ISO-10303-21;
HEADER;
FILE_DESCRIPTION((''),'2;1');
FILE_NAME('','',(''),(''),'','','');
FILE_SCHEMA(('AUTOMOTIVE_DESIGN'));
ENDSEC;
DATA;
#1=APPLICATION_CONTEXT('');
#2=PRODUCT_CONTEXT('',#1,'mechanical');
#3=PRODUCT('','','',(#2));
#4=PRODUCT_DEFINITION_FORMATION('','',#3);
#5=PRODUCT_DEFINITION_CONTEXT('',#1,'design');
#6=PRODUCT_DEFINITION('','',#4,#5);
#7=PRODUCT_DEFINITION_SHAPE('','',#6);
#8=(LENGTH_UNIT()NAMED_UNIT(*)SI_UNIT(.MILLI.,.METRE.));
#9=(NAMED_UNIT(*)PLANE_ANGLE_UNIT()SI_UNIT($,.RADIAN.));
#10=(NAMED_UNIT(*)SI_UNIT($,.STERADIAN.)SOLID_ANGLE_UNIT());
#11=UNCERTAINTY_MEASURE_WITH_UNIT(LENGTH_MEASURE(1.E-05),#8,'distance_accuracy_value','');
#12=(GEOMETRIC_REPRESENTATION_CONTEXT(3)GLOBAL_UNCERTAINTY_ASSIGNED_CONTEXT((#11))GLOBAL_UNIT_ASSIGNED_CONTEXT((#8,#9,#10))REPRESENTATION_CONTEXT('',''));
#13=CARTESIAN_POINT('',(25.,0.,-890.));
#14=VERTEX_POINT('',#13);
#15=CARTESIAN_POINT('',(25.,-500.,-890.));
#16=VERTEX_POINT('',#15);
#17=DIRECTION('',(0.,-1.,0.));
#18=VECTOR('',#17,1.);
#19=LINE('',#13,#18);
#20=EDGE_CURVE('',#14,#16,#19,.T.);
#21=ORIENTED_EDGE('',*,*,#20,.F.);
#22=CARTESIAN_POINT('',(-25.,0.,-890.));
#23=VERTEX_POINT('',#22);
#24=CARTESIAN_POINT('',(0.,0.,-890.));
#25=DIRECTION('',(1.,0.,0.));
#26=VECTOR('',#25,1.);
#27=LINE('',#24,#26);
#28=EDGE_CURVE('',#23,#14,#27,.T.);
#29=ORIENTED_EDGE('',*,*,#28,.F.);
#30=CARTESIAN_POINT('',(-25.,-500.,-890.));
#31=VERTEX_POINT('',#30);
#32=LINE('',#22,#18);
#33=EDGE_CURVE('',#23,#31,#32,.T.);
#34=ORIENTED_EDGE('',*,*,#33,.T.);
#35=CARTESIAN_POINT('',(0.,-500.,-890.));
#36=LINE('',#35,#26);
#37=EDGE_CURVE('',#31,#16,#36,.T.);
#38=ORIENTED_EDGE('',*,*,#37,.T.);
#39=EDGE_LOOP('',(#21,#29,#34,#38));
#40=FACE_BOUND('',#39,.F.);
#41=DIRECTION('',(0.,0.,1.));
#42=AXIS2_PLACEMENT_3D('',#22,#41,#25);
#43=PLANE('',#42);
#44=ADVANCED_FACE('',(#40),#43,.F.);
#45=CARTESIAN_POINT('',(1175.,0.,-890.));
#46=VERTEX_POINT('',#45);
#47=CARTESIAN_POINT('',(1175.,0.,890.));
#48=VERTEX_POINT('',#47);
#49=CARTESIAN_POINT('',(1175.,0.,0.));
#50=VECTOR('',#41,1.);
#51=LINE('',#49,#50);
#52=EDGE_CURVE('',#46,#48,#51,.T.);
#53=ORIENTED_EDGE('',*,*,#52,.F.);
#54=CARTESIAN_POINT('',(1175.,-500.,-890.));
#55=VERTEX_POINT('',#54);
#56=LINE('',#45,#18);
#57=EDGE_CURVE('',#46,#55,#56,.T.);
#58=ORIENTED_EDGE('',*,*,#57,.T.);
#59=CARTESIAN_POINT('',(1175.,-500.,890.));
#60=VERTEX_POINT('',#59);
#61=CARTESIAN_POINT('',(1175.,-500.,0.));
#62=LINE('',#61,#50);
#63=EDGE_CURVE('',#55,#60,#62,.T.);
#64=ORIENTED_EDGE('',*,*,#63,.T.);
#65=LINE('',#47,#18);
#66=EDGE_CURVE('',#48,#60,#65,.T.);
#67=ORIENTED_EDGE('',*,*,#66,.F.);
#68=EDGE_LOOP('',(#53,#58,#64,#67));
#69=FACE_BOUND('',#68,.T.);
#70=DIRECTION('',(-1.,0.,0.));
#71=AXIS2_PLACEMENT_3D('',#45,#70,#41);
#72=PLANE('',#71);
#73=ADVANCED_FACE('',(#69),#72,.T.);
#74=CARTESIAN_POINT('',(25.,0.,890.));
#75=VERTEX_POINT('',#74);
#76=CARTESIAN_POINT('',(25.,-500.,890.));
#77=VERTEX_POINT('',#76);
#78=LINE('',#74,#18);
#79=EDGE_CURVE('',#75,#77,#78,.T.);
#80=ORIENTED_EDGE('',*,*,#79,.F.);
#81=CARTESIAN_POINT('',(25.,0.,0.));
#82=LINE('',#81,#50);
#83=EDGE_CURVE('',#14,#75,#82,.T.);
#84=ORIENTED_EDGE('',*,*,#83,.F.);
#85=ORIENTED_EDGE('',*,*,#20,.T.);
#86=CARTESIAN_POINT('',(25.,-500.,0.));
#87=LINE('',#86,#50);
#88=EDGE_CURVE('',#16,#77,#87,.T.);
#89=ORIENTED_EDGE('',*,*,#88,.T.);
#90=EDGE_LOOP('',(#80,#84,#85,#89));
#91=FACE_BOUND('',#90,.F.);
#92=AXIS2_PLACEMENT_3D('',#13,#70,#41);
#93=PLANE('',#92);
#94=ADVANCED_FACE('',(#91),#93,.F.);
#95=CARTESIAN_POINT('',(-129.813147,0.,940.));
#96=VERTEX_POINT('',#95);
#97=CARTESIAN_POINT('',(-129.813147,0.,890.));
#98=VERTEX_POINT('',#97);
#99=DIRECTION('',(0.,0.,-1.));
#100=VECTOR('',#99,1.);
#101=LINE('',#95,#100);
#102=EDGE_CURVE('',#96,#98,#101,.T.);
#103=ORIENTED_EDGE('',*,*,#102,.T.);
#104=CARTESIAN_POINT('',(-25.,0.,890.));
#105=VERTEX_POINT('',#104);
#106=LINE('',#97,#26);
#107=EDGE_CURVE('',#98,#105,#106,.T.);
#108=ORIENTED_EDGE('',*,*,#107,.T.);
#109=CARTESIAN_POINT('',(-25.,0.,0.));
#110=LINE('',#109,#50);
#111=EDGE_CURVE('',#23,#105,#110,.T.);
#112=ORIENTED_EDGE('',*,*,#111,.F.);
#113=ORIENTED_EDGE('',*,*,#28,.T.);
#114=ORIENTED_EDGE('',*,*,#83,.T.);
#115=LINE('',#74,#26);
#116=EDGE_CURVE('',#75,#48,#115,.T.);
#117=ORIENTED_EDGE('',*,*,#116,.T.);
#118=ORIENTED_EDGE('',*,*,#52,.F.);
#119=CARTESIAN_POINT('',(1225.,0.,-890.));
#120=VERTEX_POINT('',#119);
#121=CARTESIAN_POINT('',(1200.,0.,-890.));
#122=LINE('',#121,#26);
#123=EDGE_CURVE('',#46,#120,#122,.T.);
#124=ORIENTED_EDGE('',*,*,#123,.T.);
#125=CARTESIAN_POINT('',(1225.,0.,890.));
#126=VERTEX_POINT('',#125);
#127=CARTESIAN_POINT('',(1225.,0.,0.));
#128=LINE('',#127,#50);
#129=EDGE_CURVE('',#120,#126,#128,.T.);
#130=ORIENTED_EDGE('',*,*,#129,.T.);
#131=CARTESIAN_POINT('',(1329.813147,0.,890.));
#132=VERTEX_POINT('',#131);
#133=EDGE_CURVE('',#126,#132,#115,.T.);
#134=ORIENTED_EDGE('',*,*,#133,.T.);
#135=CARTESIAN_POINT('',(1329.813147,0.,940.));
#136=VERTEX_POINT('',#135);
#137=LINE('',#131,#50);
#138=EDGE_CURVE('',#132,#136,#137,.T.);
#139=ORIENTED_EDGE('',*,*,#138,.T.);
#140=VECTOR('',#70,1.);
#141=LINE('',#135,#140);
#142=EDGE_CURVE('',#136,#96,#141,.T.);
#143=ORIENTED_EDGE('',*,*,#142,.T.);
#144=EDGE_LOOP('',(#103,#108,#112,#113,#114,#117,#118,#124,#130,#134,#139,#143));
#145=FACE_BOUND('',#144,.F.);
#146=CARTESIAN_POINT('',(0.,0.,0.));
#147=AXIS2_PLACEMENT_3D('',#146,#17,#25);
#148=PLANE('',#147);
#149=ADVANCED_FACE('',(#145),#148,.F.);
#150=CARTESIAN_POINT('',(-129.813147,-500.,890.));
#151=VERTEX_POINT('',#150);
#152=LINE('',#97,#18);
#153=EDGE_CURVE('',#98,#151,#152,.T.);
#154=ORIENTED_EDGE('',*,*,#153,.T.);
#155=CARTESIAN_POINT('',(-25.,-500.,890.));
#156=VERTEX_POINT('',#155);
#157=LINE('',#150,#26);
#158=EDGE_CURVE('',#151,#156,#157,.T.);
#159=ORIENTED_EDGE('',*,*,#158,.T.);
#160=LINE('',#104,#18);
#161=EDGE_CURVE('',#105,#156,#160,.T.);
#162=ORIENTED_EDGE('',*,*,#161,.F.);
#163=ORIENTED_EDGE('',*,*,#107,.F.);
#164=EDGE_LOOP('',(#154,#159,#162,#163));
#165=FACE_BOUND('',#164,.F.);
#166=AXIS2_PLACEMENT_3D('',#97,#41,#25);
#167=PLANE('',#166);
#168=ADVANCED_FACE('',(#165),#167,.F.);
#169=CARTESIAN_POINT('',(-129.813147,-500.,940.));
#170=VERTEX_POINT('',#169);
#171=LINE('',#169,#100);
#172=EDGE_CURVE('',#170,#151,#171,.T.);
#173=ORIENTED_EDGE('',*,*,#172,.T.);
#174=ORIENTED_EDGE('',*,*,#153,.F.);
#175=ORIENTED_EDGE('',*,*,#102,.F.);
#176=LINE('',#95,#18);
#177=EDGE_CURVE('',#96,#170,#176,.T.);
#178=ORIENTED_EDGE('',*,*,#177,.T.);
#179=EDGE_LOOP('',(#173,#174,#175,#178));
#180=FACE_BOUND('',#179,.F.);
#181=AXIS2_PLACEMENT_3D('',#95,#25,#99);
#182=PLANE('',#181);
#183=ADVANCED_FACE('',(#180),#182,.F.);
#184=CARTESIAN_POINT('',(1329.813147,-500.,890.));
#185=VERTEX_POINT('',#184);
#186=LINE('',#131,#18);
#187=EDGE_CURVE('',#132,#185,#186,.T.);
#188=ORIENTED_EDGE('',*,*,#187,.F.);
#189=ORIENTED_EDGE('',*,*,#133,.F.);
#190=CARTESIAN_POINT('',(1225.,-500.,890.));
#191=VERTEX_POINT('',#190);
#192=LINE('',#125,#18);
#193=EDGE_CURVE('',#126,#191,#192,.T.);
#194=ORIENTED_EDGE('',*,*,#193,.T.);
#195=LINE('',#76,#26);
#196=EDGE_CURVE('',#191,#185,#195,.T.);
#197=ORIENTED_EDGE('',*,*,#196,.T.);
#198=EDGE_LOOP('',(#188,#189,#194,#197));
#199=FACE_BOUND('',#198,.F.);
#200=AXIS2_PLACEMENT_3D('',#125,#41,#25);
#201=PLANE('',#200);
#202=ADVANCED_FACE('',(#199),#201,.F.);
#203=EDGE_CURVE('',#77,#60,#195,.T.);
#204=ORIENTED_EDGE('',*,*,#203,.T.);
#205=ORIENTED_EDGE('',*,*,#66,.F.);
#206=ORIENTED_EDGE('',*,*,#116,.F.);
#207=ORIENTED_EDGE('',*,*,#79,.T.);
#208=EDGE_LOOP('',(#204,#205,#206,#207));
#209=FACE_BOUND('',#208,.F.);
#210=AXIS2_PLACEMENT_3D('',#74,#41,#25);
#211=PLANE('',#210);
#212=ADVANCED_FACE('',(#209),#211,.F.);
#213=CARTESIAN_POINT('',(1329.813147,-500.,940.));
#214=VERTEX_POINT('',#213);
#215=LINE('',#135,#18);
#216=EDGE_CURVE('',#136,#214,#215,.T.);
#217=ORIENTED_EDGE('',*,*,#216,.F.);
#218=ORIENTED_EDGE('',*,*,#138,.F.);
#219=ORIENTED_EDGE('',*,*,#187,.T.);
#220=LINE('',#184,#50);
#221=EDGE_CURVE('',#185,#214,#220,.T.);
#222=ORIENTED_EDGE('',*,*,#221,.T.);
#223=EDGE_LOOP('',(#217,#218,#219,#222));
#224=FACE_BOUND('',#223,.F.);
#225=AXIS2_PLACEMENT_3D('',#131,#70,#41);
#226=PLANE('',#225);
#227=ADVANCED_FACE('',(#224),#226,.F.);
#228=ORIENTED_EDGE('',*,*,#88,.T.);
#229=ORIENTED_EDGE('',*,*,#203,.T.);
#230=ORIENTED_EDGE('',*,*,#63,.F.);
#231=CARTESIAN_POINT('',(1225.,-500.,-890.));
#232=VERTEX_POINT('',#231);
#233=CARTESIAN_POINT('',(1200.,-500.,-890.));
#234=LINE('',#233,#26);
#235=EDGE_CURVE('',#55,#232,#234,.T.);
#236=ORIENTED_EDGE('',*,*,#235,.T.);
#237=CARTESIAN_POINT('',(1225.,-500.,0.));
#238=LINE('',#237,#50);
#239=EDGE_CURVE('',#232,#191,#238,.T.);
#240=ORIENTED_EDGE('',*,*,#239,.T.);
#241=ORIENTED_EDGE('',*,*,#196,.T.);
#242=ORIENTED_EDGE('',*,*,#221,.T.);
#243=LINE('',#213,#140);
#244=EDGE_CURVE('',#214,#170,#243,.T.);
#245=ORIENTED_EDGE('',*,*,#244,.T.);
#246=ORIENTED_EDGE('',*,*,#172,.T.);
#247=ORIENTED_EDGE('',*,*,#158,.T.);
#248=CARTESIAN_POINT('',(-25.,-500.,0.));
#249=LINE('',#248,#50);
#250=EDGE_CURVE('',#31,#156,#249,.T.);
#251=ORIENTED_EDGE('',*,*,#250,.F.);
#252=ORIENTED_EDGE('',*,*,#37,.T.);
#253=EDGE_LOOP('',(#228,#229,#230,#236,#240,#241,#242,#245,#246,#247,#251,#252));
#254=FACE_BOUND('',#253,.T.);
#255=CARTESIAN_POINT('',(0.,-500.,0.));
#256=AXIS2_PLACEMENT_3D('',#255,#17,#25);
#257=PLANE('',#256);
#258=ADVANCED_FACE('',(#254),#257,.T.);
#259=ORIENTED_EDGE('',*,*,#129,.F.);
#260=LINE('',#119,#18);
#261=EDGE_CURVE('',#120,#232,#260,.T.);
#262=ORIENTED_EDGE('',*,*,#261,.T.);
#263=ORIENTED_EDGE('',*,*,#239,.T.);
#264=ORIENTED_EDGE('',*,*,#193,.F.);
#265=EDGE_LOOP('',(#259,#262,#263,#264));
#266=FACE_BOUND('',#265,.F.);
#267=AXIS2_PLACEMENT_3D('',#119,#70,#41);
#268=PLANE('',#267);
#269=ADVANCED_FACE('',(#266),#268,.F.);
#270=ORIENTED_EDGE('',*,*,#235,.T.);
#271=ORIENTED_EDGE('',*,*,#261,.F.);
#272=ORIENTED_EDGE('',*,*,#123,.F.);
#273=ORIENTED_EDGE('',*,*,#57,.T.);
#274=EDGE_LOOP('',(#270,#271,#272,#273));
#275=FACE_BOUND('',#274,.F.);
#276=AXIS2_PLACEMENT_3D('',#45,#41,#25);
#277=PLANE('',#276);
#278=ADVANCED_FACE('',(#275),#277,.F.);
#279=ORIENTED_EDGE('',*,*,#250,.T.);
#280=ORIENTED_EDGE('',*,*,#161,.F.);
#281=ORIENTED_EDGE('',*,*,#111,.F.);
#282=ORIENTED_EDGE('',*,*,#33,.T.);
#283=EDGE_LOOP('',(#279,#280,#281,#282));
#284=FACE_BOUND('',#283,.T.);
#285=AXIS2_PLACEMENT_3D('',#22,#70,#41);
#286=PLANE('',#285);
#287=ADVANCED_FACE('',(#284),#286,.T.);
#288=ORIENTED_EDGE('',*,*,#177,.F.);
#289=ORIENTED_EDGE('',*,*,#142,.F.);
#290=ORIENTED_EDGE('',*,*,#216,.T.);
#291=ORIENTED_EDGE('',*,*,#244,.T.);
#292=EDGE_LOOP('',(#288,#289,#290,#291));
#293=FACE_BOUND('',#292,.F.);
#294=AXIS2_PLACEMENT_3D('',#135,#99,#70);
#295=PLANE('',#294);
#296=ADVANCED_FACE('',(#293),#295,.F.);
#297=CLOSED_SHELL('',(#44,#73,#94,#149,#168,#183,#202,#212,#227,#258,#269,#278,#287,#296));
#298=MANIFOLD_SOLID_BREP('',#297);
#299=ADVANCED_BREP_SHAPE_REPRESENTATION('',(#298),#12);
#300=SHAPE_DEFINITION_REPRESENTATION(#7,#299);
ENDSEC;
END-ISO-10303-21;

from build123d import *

# Parameters (mm, degrees)
F0_W     = 50
F0_H     = 1780
F1_DEPTH = 500


with BuildPart() as f1:
    # F0 (on Front) → F1 (new body)
    with BuildSketch(Plane.XZ):
        Rectangle(F0_W, F0_H)
        Polygon((-25, 890), (25, 890), (1175, 890), (1225, 890), (1329.813147, 890), (1329.813147, 940), (-129.813147, 940), (-129.813147, 890), align=None)
        with Locations((1200, 0)):
            Rectangle(F0_W, F0_H)
    extrude(amount=F1_DEPTH)


solid = f1.part
